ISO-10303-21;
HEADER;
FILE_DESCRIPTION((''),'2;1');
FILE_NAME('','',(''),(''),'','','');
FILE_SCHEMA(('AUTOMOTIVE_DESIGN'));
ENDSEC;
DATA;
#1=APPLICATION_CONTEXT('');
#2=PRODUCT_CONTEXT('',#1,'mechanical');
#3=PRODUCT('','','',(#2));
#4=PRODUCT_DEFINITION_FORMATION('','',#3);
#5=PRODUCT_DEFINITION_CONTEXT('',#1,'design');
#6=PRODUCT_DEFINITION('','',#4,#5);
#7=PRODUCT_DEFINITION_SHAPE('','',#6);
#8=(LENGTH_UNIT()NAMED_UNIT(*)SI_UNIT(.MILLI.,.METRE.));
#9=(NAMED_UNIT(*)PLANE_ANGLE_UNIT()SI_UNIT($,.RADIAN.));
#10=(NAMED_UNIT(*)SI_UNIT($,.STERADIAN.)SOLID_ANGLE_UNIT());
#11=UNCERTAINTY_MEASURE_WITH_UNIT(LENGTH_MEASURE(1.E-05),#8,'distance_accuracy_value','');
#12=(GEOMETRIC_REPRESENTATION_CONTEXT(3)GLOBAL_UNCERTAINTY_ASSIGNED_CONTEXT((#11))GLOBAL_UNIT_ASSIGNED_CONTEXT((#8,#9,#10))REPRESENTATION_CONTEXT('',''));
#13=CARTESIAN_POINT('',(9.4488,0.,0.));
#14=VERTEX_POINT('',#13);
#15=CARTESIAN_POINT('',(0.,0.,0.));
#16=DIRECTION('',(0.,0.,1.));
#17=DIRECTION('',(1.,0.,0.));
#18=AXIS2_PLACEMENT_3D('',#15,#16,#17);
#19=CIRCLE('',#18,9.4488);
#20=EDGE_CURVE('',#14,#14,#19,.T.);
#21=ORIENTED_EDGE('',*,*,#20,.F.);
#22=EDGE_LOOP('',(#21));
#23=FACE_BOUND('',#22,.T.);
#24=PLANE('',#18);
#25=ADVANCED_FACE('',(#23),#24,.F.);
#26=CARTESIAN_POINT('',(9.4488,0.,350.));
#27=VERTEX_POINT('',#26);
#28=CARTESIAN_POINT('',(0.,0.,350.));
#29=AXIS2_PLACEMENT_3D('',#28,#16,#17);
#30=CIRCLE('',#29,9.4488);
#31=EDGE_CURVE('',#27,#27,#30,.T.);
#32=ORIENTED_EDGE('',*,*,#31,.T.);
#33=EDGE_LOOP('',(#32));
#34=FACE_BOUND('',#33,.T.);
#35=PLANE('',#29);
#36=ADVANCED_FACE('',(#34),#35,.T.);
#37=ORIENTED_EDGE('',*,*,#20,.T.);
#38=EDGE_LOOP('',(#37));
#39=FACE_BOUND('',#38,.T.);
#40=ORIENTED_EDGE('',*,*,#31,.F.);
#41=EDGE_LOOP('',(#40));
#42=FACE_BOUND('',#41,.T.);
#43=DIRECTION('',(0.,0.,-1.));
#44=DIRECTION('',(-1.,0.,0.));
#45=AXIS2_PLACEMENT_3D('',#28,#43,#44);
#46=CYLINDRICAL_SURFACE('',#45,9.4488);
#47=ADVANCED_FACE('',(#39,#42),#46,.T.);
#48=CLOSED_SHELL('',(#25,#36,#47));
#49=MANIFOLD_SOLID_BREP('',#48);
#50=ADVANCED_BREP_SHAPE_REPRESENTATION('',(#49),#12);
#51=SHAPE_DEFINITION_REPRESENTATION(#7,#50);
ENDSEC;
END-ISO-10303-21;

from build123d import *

# Parameters (mm, degrees)
SKETCH1_R           = 9.4488
BOSS_EXTRUDE1_DEPTH = 350


with BuildPart() as part:
    # Sketch1 → Boss-Extrude1 (new body)
    with BuildSketch(Plane.XY):
        Circle(SKETCH1_R)
    extrude(amount=BOSS_EXTRUDE1_DEPTH)


solid = part.part
